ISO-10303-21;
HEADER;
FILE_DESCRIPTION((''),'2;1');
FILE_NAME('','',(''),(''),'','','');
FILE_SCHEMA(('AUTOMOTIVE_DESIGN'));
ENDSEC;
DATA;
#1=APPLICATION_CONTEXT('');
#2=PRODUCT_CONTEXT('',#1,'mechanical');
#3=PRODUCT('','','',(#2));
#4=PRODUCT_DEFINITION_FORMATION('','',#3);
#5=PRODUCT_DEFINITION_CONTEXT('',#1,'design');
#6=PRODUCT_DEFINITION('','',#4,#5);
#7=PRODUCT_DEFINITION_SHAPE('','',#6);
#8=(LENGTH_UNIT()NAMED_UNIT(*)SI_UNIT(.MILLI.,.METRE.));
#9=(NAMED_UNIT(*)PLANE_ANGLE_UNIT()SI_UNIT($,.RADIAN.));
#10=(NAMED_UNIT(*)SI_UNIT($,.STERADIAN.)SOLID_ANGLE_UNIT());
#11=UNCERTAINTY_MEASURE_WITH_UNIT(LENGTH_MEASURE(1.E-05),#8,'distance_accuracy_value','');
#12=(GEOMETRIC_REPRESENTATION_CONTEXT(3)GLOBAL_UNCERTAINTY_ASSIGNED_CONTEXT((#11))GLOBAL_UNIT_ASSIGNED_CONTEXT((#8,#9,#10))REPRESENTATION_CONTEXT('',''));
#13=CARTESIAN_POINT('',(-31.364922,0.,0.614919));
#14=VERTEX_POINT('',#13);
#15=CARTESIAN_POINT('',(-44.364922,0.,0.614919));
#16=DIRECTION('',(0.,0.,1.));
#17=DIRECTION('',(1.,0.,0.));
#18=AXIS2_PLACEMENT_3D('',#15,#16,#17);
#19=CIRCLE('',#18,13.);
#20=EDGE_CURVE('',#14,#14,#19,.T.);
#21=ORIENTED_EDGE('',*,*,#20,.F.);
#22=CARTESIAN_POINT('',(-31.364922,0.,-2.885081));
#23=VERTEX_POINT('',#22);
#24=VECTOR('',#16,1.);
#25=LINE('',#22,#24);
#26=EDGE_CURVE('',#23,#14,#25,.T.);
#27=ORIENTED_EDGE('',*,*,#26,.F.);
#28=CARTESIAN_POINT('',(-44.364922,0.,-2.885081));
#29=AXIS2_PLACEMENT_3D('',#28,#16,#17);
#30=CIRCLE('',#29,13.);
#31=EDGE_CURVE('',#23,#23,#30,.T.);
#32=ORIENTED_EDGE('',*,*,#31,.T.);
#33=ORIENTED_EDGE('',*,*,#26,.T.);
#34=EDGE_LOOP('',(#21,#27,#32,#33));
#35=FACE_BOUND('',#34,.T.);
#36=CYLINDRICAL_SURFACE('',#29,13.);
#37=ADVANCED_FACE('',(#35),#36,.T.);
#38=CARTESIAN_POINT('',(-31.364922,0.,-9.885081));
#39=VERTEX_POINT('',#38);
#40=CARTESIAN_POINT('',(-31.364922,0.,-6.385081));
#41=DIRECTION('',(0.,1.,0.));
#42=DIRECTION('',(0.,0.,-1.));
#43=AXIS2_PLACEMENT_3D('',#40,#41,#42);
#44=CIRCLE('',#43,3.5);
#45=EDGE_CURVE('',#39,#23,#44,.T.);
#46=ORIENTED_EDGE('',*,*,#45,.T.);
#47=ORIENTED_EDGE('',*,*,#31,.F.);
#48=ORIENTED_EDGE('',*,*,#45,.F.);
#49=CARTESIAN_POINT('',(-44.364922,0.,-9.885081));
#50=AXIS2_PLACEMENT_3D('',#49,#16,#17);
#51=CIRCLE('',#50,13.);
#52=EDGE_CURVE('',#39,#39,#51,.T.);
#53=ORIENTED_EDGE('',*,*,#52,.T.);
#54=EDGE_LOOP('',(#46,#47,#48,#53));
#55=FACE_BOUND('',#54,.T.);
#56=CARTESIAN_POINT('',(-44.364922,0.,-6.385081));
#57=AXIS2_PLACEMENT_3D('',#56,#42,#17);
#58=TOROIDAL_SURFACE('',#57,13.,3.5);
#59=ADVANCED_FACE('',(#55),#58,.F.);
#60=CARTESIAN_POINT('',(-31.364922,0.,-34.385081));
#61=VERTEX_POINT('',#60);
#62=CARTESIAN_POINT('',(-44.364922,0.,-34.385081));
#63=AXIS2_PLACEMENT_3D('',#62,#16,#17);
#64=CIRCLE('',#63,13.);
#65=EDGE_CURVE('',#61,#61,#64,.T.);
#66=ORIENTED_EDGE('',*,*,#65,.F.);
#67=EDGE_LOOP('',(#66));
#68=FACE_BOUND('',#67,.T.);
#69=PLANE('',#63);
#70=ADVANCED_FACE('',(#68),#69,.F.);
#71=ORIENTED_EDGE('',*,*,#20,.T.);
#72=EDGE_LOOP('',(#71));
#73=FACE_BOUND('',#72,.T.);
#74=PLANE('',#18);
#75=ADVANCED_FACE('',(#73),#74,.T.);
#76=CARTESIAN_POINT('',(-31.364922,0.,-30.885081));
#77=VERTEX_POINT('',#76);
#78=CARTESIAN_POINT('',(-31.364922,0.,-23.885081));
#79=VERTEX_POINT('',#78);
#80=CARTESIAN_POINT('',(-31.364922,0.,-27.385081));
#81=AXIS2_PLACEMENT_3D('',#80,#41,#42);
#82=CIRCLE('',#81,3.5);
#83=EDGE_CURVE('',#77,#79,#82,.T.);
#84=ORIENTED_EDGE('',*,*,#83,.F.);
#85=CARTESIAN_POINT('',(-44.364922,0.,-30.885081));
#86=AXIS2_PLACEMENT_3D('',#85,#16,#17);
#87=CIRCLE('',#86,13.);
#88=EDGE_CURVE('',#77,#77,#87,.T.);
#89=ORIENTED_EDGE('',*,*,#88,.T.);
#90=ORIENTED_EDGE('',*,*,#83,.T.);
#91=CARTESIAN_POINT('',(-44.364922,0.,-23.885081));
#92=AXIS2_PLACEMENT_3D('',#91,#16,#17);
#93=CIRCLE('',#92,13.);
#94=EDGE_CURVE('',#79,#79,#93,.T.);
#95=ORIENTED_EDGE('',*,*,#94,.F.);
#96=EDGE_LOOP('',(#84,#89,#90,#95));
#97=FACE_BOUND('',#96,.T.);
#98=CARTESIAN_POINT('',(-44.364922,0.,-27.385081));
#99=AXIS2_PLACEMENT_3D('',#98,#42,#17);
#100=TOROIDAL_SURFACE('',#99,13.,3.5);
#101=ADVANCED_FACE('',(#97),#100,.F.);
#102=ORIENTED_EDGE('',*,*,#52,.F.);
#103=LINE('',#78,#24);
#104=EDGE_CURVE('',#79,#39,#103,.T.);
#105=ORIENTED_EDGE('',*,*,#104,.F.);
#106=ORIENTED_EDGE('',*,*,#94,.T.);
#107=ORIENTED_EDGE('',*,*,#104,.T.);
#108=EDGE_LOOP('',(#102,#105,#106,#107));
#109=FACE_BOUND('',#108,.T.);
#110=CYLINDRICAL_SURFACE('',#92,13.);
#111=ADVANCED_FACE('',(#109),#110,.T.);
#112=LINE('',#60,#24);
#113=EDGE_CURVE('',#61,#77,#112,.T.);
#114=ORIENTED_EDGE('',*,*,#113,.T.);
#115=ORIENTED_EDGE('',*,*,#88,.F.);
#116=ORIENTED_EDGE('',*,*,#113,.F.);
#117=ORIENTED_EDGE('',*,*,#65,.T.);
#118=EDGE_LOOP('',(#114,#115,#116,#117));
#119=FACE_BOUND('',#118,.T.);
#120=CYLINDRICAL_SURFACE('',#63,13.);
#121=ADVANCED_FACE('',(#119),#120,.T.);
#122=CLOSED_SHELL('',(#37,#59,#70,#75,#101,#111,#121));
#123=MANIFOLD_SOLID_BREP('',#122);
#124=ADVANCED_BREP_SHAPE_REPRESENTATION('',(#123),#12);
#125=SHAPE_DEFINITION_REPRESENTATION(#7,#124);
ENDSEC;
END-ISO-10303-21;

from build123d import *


with BuildPart() as f1:
    # F0 (on Front) → F1 (revolve)
    with BuildSketch(Plane.XZ):
        with BuildLine():
            Line((-44.364922, 0.614919), (-44.364922, -34.385081))
            Line((-44.364922, -34.385081), (-31.364922, -34.385081))
            Line((-31.364922, -34.385081), (-31.364922, -30.885081))
            ThreePointArc((-31.364922, -30.885081), (-34.864922, -27.385081), (-31.364922, -23.885081))
            Line((-31.364922, -23.885081), (-31.364922, -9.885081))
            ThreePointArc((-31.364922, -9.885081), (-34.864922, -6.385081), (-31.364922, -2.885081))
            Line((-31.364922, -2.885081), (-31.364922, 0.614919))
            Line((-31.364922, 0.614919), (-44.364922, 0.614919))
        make_face()
    revolve(axis=Axis((-44.364922, 0, -16.885081), (0, 0, 1)))


solid = f1.part
